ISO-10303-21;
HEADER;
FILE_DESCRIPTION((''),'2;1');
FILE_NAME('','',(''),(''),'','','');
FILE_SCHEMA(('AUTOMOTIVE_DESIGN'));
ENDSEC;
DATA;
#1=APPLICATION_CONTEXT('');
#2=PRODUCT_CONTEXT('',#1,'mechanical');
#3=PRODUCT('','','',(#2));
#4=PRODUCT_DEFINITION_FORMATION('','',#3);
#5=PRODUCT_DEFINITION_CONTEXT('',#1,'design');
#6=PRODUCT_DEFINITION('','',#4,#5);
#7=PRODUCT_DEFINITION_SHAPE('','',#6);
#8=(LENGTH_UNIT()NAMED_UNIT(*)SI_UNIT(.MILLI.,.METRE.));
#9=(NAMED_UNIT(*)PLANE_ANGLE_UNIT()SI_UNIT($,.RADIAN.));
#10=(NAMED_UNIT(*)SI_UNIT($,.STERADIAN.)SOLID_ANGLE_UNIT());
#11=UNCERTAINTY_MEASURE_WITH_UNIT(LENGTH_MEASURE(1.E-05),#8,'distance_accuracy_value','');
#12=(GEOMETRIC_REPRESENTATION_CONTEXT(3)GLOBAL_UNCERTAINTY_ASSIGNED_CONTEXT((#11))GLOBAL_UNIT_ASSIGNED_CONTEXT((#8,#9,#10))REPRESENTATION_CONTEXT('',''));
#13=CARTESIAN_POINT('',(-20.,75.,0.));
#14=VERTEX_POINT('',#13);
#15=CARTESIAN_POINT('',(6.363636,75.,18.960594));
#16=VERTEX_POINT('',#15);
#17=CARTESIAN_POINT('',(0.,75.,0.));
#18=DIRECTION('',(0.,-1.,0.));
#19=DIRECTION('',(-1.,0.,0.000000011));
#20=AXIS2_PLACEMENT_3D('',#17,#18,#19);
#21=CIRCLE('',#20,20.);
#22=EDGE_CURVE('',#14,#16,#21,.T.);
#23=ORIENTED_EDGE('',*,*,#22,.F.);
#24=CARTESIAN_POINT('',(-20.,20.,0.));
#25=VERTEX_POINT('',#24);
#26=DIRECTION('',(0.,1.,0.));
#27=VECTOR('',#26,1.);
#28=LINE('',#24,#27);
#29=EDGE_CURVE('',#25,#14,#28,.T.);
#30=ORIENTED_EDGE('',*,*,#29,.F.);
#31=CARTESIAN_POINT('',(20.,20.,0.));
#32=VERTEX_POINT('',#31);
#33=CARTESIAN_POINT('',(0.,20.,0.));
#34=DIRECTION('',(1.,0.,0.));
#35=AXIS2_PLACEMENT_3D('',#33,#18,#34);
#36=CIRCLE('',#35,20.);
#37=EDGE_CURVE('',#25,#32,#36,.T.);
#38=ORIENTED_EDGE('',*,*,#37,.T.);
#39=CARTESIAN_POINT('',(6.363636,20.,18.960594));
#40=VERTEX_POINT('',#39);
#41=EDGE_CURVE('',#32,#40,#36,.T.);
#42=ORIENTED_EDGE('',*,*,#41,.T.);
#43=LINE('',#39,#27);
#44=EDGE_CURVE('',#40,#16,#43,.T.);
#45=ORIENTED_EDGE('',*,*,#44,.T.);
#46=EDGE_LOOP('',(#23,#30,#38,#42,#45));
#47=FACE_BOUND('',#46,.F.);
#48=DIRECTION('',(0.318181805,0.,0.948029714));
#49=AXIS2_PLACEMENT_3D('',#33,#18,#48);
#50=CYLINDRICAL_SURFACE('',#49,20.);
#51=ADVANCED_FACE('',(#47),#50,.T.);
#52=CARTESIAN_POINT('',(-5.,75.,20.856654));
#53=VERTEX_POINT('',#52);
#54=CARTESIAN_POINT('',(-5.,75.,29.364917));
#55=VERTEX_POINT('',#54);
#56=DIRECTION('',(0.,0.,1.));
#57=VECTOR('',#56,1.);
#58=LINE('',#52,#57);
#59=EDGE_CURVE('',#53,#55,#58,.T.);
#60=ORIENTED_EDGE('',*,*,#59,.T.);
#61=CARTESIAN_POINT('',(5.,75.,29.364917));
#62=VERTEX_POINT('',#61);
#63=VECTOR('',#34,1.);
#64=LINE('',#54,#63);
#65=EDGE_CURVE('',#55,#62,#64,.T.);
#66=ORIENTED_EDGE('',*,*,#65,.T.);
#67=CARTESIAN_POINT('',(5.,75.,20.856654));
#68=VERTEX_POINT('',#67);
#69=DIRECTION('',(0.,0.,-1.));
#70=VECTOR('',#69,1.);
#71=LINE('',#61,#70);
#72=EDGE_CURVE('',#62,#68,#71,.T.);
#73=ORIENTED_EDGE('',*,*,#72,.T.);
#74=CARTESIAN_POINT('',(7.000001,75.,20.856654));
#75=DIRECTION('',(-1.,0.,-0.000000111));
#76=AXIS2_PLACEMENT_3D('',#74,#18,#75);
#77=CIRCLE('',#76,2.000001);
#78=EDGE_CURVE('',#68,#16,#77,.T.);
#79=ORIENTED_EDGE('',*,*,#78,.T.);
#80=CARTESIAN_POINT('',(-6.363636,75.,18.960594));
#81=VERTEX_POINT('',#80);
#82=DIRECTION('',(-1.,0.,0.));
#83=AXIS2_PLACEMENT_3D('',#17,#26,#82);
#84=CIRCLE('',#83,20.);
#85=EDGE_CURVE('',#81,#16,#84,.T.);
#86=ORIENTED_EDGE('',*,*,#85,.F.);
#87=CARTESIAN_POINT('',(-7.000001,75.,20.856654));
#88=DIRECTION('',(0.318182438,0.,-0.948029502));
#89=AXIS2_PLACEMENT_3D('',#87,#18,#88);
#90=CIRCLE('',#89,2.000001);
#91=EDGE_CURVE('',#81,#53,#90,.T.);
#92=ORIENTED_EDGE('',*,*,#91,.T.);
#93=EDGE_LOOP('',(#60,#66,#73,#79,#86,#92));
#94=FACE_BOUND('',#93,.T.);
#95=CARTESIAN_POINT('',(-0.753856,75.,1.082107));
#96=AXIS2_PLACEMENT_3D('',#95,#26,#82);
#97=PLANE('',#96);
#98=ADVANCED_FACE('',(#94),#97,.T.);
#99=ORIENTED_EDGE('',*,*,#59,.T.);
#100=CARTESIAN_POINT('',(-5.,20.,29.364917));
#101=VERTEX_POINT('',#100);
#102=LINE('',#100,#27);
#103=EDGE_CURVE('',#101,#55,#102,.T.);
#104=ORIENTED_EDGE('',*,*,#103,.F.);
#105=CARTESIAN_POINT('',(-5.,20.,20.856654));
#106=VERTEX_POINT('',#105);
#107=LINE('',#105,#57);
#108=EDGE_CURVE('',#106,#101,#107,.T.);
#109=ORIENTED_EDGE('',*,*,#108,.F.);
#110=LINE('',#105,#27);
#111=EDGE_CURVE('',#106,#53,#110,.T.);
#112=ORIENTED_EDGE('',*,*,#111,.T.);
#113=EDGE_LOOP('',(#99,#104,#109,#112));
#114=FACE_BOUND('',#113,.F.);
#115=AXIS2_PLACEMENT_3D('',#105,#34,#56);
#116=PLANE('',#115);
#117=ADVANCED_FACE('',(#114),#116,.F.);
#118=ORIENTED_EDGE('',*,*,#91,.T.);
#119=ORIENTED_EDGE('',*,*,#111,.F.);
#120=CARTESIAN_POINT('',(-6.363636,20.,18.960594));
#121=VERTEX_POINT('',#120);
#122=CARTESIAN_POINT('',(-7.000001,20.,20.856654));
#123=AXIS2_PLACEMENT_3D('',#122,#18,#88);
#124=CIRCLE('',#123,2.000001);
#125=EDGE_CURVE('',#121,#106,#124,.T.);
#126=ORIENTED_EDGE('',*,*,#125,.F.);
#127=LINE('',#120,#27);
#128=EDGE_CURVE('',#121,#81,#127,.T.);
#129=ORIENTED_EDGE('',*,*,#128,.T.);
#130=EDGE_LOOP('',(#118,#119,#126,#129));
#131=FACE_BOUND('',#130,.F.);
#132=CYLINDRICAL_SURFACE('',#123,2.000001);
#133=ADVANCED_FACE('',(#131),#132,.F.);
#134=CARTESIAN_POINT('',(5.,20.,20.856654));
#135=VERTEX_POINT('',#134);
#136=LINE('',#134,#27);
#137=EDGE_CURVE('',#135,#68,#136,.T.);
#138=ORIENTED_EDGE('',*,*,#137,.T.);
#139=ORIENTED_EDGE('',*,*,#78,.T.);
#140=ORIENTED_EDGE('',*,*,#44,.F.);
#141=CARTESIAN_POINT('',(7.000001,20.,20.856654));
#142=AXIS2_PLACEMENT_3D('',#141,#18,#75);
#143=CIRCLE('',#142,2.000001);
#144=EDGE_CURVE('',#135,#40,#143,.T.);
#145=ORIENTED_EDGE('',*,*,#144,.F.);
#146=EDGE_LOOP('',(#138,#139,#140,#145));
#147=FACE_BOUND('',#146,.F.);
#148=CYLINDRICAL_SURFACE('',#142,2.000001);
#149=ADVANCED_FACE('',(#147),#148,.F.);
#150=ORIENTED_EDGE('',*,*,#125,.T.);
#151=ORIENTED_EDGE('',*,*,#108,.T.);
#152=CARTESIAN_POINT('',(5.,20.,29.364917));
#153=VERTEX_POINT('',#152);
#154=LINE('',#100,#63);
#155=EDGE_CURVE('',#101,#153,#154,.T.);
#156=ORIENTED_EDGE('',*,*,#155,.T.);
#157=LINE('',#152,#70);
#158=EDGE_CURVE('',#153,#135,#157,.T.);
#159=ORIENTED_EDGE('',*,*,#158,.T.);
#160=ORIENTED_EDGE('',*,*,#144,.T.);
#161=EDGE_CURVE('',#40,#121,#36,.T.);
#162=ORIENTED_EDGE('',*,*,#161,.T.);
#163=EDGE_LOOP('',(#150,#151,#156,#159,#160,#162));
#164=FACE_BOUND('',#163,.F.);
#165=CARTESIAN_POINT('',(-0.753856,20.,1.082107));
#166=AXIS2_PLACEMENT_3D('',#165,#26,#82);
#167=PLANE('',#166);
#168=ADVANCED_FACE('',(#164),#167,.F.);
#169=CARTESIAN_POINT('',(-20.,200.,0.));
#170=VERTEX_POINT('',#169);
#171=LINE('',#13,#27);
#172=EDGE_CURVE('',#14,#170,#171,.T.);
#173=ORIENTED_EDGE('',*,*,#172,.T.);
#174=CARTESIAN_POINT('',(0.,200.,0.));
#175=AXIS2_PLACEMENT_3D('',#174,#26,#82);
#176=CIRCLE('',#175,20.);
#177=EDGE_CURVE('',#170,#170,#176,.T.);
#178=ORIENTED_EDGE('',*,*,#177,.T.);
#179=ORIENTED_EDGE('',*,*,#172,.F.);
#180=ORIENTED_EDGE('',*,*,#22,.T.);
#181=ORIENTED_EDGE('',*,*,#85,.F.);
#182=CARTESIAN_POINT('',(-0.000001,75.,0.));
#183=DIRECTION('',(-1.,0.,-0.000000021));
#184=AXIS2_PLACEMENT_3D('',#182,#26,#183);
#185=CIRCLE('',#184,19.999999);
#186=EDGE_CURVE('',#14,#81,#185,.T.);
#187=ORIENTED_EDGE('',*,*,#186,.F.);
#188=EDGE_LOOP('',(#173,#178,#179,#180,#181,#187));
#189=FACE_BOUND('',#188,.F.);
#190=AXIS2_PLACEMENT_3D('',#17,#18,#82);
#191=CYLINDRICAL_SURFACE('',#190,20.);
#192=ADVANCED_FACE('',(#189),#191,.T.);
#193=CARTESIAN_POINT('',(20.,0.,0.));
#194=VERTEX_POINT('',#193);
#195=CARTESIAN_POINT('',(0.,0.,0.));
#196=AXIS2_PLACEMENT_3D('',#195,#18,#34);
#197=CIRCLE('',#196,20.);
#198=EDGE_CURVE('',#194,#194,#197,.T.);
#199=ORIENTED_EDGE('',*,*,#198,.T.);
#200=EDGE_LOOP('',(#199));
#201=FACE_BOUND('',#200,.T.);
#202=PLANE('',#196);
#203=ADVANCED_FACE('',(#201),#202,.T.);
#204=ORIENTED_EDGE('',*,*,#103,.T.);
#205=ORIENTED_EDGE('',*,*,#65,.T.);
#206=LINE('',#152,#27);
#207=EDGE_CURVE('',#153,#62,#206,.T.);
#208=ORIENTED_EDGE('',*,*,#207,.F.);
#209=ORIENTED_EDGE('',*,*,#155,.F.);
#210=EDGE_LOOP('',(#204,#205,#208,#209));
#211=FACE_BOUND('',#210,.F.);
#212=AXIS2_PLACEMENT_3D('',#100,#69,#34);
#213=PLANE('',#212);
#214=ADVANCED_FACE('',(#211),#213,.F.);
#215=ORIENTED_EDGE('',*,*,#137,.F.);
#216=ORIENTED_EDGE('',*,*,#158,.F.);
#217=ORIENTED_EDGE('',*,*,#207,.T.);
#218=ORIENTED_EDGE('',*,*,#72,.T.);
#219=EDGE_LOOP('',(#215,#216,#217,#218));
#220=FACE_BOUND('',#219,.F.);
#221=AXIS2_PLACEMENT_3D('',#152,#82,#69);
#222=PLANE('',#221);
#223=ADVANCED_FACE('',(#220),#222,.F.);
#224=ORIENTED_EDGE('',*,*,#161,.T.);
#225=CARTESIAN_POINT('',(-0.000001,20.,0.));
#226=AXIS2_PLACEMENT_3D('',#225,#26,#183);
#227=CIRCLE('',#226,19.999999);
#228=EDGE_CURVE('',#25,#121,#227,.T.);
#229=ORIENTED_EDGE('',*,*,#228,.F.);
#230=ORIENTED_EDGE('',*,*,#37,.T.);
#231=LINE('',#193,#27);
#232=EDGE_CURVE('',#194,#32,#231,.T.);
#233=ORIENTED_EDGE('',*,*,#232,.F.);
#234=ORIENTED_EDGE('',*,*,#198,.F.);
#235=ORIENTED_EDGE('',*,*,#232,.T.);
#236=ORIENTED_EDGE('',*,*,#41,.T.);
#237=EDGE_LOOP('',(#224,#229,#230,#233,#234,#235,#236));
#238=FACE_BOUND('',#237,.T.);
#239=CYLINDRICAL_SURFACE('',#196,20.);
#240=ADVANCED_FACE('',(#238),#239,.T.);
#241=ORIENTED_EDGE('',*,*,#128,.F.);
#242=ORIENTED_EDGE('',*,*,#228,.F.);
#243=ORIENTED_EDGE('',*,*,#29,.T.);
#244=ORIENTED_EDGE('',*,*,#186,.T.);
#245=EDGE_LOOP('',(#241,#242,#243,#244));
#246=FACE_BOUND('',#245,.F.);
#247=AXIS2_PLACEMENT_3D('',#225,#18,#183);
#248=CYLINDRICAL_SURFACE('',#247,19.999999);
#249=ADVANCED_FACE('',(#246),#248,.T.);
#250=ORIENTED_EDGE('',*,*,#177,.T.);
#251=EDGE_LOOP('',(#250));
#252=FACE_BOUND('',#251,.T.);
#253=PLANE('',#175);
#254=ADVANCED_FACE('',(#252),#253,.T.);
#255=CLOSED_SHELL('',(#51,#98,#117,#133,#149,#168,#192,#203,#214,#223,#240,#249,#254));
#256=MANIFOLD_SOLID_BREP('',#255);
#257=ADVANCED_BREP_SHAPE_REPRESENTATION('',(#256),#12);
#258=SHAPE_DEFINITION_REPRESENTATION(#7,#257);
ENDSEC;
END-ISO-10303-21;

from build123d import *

# Parameters (mm, degrees)
F0_R      = 20
F1_DEPTH  = 20
F1_FACE_R = 20
F3_DEPTH  = 55
F4_R      = 20
F5_DEPTH  = 125


with BuildPart() as f1:
    # F0 (on Front) → F1 (new body)
    with BuildSketch(Plane.XZ):
        Circle(F0_R)
    extrude(amount=-F1_DEPTH)

    # F2 (on face) + F1_face (on face) → F3 (join)
    with BuildSketch(Plane(origin=(0, 20, 0), x_dir=(-1, 0, 0), z_dir=(0, 1, 0))):
        with BuildLine():
            ThreePointArc((6.363636, 18.960594), (0, 20), (-6.363636, 18.960594))
            ThreePointArc((-6.363636, 18.960594), (-11.677484, -16.236883), (20, 0))
            ThreePointArc((20, 0), (16.236883, 11.677484), (6.363636, 18.960594))
        make_face()
        with BuildLine():
            ThreePointArc((-5, 20.856654), (-5.376312, 19.688905), (-6.363636, 18.960594))
            ThreePointArc((-6.363636, 18.960594), (0, 20), (6.363636, 18.960594))
            ThreePointArc((6.363636, 18.960594), (5.376312, 19.688905), (5, 20.856654))
            Line((5, 20.856654), (5, 29.364917))
            Line((5, 29.364917), (-5, 29.364917))
            Line((-5, 29.364917), (-5, 20.856654))
        make_face()
    with BuildSketch(Plane(origin=(0, 20, 0), x_dir=(1, 0, 0), z_dir=(0, 1, 0))):
        Circle(F1_FACE_R)
    extrude(amount=F3_DEPTH)

    # F4 (on face) → F5 (join)
    with BuildSketch(Plane(origin=(0, 75, 0), x_dir=(-1, 0, 0), z_dir=(0, 1, 0))):
        Circle(F4_R)
    extrude(amount=F5_DEPTH)


solid = f1.part
